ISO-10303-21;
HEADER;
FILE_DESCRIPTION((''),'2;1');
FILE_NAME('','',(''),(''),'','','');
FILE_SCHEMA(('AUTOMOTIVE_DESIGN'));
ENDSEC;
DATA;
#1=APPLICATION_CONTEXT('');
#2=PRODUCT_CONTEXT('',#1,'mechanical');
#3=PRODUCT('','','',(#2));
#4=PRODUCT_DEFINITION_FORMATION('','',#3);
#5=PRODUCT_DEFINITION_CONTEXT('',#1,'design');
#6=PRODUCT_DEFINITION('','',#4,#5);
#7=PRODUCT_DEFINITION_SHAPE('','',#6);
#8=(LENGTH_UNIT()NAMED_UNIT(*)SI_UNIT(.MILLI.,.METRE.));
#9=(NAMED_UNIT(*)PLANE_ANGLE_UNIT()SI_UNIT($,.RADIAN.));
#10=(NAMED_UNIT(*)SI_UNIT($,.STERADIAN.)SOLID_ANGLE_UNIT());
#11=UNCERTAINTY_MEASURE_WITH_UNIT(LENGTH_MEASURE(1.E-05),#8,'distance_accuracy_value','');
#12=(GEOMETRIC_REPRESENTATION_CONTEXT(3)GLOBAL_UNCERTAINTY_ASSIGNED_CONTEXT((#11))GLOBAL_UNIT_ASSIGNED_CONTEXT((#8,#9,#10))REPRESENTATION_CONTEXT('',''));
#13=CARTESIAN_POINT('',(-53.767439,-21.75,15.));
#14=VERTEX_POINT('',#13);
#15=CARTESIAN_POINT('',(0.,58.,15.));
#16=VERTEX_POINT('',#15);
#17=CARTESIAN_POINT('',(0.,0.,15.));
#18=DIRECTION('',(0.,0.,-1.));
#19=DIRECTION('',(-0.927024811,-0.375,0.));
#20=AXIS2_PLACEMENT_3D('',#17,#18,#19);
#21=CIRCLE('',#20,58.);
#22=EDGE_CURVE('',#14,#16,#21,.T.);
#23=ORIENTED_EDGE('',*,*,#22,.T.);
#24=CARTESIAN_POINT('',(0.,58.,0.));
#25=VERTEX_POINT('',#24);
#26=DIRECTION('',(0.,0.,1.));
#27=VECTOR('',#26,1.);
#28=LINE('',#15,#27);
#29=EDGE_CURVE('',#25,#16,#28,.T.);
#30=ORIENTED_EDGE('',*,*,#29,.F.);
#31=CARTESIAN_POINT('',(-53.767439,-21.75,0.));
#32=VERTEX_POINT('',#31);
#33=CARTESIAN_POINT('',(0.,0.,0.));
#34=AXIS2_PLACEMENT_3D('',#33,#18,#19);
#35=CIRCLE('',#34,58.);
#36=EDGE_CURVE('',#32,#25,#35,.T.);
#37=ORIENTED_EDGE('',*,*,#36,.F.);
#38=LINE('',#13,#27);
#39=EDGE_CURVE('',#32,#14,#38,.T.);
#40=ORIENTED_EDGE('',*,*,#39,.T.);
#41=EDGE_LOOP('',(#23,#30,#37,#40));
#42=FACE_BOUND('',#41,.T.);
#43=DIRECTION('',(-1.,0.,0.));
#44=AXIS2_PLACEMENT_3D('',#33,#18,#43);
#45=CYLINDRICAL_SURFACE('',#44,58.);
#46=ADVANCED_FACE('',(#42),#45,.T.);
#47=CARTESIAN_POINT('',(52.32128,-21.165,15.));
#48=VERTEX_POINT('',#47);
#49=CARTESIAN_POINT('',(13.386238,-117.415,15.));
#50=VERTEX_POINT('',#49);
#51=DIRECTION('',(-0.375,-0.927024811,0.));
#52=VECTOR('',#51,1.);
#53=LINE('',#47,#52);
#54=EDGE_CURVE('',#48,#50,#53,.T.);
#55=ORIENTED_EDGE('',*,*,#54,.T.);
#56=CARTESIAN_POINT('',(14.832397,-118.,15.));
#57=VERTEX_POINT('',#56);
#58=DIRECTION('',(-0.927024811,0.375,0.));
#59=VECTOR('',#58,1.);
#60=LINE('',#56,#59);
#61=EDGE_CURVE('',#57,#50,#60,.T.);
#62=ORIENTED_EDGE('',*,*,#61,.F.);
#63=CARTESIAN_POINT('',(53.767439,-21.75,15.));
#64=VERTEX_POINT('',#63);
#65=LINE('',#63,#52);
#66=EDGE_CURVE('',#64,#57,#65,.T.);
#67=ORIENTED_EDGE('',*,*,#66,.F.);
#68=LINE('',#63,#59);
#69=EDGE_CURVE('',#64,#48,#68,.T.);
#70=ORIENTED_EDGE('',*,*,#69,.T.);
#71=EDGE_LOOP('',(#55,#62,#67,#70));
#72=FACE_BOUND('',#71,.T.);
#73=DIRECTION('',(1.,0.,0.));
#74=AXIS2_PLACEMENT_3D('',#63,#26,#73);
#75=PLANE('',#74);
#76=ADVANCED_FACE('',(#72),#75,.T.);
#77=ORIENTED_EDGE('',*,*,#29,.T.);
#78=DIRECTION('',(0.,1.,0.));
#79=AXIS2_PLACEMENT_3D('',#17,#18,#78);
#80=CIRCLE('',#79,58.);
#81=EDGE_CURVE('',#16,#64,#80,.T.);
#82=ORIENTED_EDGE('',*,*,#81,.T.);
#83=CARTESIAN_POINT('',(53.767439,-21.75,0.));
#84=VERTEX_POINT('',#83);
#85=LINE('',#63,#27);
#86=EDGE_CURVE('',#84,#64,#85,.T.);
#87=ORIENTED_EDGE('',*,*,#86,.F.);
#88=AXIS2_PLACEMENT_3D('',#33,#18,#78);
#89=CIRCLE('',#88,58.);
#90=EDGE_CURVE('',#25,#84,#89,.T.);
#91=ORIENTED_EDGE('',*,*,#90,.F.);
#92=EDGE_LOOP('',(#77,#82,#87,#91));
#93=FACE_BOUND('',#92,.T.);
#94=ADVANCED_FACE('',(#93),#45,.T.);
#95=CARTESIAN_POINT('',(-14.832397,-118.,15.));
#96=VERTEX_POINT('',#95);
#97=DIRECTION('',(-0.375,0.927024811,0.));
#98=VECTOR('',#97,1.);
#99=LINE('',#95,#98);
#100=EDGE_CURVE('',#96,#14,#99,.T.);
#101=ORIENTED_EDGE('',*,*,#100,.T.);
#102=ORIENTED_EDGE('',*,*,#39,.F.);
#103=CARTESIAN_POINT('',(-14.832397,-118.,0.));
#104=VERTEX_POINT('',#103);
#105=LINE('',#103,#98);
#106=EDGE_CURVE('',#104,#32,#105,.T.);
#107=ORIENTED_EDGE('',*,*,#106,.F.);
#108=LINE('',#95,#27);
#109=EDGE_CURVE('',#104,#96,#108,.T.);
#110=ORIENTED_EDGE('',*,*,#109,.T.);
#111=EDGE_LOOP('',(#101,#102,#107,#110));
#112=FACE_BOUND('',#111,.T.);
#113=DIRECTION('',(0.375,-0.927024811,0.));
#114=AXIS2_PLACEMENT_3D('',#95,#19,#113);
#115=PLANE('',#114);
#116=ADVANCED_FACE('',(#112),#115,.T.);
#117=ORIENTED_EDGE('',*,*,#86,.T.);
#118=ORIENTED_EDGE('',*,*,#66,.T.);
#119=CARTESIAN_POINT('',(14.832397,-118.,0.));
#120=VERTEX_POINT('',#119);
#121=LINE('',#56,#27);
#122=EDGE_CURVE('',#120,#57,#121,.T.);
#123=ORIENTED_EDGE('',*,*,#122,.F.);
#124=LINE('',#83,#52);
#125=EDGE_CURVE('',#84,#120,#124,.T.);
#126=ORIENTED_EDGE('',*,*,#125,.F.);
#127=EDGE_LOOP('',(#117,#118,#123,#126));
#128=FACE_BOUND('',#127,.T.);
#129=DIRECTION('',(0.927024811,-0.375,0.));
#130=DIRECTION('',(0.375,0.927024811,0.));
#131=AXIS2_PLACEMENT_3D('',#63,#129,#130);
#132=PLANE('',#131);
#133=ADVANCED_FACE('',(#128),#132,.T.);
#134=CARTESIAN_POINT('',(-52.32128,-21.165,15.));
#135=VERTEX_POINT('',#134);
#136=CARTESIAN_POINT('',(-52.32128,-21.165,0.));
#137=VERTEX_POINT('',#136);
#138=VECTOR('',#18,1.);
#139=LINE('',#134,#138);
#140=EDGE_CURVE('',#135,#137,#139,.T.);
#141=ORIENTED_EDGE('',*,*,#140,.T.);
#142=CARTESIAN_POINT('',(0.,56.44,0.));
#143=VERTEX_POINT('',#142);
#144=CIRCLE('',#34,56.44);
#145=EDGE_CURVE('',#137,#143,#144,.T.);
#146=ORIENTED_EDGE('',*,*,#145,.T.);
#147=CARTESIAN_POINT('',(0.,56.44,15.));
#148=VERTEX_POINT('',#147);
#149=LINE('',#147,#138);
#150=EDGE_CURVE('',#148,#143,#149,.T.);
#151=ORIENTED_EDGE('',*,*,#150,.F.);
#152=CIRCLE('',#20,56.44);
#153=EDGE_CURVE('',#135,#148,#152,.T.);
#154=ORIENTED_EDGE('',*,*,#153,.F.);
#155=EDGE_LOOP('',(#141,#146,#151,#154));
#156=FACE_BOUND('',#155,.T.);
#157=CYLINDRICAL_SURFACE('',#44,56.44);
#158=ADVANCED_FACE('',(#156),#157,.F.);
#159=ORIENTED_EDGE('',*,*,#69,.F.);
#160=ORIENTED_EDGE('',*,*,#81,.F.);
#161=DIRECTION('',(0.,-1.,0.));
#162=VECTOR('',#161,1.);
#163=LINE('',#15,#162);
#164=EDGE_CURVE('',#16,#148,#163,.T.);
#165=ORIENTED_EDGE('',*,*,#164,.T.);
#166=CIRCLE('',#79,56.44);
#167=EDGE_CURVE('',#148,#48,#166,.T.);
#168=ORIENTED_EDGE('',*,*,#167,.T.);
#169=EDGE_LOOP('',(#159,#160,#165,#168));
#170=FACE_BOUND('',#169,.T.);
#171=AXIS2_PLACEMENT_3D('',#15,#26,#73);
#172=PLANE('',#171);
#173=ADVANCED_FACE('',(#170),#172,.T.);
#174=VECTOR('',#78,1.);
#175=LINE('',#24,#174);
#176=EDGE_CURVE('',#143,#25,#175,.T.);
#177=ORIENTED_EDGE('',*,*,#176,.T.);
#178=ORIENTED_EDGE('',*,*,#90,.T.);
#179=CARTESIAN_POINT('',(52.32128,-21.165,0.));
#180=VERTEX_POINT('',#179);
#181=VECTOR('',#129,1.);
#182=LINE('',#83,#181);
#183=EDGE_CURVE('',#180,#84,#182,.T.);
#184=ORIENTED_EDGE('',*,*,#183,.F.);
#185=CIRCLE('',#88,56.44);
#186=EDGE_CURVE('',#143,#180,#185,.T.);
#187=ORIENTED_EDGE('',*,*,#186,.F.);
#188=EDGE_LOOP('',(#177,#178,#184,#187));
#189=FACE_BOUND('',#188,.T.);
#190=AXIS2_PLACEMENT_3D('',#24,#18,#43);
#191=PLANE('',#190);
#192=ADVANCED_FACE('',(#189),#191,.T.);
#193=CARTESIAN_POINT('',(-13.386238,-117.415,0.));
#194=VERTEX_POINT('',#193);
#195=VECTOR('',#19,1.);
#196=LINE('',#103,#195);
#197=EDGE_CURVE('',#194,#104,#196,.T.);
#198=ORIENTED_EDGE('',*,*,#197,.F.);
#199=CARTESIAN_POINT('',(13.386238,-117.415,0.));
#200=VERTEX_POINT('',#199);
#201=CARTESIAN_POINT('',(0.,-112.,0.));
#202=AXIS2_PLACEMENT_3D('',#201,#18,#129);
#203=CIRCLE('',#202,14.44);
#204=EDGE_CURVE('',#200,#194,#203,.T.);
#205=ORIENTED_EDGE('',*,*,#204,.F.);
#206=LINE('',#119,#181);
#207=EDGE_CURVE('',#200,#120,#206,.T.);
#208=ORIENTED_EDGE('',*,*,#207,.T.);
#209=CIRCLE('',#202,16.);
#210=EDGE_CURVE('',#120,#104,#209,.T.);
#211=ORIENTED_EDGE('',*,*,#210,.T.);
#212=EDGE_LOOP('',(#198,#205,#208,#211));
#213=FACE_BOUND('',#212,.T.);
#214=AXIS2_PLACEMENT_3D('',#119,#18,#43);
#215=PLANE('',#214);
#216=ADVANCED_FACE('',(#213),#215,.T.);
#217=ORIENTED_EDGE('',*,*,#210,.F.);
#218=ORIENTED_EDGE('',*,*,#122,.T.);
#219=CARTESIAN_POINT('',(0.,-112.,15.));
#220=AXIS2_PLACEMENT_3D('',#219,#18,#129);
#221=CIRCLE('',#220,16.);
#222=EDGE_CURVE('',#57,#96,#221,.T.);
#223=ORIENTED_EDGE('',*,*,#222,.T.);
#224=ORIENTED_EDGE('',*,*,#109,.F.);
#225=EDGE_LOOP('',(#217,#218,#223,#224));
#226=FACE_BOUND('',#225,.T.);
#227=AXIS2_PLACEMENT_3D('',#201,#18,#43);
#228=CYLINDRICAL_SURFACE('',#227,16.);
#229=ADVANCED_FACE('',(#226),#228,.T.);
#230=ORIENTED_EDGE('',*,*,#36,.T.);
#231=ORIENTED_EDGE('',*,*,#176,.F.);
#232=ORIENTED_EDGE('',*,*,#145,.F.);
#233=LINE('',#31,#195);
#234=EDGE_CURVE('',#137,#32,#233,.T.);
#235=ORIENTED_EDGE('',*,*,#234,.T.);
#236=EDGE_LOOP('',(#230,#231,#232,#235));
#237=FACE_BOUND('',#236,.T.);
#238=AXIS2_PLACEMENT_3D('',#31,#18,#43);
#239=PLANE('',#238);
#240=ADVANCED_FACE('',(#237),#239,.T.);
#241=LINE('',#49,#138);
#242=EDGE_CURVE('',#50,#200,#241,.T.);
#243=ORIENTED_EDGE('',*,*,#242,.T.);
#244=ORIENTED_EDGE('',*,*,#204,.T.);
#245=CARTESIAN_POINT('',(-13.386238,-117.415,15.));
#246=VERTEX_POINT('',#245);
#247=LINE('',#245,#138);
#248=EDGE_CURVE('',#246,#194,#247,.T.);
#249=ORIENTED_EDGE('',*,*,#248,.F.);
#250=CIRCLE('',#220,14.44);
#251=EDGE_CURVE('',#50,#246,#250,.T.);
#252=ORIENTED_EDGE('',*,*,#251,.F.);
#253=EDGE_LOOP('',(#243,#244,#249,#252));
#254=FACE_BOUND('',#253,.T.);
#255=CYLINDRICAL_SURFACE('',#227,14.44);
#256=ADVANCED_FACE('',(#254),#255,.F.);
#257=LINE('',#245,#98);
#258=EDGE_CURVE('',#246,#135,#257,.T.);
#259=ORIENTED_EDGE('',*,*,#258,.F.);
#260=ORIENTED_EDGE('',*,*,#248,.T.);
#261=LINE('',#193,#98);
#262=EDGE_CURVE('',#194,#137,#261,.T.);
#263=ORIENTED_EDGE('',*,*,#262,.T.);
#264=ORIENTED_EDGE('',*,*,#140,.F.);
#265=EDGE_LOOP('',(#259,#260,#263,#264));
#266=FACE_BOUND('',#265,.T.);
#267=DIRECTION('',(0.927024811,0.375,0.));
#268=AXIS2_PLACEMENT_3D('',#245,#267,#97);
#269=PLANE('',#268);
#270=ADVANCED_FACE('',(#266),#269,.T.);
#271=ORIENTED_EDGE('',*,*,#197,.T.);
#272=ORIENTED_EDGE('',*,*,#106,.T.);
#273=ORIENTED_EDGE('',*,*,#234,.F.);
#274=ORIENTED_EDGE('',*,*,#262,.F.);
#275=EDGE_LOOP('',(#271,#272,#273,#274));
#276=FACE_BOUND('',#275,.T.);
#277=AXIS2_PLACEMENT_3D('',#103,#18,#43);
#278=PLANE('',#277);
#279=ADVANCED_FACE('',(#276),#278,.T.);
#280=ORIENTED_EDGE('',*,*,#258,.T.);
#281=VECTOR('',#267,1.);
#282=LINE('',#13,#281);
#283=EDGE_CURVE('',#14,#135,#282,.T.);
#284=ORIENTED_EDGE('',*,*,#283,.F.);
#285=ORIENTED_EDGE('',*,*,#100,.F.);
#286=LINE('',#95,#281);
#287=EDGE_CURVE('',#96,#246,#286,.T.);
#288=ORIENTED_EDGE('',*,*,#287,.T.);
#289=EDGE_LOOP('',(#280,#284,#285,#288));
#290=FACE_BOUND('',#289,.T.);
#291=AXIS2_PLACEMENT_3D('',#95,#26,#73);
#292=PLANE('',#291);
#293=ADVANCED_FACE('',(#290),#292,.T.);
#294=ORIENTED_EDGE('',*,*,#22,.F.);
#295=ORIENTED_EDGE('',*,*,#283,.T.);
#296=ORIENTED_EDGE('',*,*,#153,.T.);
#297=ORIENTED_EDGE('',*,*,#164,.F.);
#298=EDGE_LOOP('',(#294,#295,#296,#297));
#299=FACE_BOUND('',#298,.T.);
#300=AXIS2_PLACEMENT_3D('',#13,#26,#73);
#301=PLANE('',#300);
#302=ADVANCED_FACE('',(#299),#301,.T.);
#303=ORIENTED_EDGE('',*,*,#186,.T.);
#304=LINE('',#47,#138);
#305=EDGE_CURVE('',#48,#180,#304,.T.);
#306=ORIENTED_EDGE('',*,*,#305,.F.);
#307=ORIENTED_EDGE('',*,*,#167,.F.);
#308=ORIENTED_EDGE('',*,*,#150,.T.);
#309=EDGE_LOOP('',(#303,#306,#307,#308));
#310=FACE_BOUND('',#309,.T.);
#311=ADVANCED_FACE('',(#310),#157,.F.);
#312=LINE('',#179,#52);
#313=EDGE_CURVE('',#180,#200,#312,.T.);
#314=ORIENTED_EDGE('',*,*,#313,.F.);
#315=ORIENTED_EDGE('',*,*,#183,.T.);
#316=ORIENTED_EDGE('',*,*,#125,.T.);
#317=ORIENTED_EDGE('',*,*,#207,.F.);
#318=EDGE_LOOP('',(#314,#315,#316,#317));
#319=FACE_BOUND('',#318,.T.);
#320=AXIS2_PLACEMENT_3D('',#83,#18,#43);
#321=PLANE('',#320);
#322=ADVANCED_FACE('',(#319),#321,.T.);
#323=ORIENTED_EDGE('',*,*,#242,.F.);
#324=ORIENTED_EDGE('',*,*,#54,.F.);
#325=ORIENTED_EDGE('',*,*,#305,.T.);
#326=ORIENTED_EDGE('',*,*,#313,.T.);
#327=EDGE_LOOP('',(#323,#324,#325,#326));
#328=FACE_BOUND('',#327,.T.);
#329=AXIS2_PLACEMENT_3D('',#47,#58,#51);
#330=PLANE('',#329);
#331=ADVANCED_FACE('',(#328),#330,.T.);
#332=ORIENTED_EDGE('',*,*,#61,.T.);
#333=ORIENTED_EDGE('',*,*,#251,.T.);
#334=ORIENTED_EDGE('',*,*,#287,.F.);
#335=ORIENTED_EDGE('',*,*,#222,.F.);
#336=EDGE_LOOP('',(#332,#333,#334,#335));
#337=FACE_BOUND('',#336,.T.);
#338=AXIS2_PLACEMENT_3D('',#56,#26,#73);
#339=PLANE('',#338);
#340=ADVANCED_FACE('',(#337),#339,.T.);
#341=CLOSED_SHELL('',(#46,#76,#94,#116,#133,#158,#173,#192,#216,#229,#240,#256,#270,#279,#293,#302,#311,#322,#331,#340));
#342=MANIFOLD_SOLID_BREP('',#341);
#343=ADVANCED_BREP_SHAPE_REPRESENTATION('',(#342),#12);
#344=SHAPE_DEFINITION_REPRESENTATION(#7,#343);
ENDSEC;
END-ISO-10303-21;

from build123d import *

# Parameters (mm, degrees)
SKETCH_2_W = 15
SKETCH_2_H = 1.56


with BuildPart() as part:
    # По траектории1: sweep along a path in Эскиз1
    with BuildLine(Plane.XY) as sweep_1_path:
        Line((-53.767439031, -21.75), (-14.832396974, -118))
        ThreePointArc((-14.832396974, -118), (0, -128), (14.832396974, -118))
        Line((14.832396974, -118), (53.767439031, -21.75))
        ThreePointArc((53.767439031, -21.75), (0, 58), (-53.767439031, -21.75))
    # Эскиз2 → По траектории1 (sweep)
    with BuildSketch(Plane(origin=(0, 0, 0), x_dir=(0, 0, -1), z_dir=(1, 0, 0))):
        with Locations((-7.5, 57.22)):
            Rectangle(SKETCH_2_W, SKETCH_2_H)
    sweep(path=sweep_1_path.line)


solid = part.part
